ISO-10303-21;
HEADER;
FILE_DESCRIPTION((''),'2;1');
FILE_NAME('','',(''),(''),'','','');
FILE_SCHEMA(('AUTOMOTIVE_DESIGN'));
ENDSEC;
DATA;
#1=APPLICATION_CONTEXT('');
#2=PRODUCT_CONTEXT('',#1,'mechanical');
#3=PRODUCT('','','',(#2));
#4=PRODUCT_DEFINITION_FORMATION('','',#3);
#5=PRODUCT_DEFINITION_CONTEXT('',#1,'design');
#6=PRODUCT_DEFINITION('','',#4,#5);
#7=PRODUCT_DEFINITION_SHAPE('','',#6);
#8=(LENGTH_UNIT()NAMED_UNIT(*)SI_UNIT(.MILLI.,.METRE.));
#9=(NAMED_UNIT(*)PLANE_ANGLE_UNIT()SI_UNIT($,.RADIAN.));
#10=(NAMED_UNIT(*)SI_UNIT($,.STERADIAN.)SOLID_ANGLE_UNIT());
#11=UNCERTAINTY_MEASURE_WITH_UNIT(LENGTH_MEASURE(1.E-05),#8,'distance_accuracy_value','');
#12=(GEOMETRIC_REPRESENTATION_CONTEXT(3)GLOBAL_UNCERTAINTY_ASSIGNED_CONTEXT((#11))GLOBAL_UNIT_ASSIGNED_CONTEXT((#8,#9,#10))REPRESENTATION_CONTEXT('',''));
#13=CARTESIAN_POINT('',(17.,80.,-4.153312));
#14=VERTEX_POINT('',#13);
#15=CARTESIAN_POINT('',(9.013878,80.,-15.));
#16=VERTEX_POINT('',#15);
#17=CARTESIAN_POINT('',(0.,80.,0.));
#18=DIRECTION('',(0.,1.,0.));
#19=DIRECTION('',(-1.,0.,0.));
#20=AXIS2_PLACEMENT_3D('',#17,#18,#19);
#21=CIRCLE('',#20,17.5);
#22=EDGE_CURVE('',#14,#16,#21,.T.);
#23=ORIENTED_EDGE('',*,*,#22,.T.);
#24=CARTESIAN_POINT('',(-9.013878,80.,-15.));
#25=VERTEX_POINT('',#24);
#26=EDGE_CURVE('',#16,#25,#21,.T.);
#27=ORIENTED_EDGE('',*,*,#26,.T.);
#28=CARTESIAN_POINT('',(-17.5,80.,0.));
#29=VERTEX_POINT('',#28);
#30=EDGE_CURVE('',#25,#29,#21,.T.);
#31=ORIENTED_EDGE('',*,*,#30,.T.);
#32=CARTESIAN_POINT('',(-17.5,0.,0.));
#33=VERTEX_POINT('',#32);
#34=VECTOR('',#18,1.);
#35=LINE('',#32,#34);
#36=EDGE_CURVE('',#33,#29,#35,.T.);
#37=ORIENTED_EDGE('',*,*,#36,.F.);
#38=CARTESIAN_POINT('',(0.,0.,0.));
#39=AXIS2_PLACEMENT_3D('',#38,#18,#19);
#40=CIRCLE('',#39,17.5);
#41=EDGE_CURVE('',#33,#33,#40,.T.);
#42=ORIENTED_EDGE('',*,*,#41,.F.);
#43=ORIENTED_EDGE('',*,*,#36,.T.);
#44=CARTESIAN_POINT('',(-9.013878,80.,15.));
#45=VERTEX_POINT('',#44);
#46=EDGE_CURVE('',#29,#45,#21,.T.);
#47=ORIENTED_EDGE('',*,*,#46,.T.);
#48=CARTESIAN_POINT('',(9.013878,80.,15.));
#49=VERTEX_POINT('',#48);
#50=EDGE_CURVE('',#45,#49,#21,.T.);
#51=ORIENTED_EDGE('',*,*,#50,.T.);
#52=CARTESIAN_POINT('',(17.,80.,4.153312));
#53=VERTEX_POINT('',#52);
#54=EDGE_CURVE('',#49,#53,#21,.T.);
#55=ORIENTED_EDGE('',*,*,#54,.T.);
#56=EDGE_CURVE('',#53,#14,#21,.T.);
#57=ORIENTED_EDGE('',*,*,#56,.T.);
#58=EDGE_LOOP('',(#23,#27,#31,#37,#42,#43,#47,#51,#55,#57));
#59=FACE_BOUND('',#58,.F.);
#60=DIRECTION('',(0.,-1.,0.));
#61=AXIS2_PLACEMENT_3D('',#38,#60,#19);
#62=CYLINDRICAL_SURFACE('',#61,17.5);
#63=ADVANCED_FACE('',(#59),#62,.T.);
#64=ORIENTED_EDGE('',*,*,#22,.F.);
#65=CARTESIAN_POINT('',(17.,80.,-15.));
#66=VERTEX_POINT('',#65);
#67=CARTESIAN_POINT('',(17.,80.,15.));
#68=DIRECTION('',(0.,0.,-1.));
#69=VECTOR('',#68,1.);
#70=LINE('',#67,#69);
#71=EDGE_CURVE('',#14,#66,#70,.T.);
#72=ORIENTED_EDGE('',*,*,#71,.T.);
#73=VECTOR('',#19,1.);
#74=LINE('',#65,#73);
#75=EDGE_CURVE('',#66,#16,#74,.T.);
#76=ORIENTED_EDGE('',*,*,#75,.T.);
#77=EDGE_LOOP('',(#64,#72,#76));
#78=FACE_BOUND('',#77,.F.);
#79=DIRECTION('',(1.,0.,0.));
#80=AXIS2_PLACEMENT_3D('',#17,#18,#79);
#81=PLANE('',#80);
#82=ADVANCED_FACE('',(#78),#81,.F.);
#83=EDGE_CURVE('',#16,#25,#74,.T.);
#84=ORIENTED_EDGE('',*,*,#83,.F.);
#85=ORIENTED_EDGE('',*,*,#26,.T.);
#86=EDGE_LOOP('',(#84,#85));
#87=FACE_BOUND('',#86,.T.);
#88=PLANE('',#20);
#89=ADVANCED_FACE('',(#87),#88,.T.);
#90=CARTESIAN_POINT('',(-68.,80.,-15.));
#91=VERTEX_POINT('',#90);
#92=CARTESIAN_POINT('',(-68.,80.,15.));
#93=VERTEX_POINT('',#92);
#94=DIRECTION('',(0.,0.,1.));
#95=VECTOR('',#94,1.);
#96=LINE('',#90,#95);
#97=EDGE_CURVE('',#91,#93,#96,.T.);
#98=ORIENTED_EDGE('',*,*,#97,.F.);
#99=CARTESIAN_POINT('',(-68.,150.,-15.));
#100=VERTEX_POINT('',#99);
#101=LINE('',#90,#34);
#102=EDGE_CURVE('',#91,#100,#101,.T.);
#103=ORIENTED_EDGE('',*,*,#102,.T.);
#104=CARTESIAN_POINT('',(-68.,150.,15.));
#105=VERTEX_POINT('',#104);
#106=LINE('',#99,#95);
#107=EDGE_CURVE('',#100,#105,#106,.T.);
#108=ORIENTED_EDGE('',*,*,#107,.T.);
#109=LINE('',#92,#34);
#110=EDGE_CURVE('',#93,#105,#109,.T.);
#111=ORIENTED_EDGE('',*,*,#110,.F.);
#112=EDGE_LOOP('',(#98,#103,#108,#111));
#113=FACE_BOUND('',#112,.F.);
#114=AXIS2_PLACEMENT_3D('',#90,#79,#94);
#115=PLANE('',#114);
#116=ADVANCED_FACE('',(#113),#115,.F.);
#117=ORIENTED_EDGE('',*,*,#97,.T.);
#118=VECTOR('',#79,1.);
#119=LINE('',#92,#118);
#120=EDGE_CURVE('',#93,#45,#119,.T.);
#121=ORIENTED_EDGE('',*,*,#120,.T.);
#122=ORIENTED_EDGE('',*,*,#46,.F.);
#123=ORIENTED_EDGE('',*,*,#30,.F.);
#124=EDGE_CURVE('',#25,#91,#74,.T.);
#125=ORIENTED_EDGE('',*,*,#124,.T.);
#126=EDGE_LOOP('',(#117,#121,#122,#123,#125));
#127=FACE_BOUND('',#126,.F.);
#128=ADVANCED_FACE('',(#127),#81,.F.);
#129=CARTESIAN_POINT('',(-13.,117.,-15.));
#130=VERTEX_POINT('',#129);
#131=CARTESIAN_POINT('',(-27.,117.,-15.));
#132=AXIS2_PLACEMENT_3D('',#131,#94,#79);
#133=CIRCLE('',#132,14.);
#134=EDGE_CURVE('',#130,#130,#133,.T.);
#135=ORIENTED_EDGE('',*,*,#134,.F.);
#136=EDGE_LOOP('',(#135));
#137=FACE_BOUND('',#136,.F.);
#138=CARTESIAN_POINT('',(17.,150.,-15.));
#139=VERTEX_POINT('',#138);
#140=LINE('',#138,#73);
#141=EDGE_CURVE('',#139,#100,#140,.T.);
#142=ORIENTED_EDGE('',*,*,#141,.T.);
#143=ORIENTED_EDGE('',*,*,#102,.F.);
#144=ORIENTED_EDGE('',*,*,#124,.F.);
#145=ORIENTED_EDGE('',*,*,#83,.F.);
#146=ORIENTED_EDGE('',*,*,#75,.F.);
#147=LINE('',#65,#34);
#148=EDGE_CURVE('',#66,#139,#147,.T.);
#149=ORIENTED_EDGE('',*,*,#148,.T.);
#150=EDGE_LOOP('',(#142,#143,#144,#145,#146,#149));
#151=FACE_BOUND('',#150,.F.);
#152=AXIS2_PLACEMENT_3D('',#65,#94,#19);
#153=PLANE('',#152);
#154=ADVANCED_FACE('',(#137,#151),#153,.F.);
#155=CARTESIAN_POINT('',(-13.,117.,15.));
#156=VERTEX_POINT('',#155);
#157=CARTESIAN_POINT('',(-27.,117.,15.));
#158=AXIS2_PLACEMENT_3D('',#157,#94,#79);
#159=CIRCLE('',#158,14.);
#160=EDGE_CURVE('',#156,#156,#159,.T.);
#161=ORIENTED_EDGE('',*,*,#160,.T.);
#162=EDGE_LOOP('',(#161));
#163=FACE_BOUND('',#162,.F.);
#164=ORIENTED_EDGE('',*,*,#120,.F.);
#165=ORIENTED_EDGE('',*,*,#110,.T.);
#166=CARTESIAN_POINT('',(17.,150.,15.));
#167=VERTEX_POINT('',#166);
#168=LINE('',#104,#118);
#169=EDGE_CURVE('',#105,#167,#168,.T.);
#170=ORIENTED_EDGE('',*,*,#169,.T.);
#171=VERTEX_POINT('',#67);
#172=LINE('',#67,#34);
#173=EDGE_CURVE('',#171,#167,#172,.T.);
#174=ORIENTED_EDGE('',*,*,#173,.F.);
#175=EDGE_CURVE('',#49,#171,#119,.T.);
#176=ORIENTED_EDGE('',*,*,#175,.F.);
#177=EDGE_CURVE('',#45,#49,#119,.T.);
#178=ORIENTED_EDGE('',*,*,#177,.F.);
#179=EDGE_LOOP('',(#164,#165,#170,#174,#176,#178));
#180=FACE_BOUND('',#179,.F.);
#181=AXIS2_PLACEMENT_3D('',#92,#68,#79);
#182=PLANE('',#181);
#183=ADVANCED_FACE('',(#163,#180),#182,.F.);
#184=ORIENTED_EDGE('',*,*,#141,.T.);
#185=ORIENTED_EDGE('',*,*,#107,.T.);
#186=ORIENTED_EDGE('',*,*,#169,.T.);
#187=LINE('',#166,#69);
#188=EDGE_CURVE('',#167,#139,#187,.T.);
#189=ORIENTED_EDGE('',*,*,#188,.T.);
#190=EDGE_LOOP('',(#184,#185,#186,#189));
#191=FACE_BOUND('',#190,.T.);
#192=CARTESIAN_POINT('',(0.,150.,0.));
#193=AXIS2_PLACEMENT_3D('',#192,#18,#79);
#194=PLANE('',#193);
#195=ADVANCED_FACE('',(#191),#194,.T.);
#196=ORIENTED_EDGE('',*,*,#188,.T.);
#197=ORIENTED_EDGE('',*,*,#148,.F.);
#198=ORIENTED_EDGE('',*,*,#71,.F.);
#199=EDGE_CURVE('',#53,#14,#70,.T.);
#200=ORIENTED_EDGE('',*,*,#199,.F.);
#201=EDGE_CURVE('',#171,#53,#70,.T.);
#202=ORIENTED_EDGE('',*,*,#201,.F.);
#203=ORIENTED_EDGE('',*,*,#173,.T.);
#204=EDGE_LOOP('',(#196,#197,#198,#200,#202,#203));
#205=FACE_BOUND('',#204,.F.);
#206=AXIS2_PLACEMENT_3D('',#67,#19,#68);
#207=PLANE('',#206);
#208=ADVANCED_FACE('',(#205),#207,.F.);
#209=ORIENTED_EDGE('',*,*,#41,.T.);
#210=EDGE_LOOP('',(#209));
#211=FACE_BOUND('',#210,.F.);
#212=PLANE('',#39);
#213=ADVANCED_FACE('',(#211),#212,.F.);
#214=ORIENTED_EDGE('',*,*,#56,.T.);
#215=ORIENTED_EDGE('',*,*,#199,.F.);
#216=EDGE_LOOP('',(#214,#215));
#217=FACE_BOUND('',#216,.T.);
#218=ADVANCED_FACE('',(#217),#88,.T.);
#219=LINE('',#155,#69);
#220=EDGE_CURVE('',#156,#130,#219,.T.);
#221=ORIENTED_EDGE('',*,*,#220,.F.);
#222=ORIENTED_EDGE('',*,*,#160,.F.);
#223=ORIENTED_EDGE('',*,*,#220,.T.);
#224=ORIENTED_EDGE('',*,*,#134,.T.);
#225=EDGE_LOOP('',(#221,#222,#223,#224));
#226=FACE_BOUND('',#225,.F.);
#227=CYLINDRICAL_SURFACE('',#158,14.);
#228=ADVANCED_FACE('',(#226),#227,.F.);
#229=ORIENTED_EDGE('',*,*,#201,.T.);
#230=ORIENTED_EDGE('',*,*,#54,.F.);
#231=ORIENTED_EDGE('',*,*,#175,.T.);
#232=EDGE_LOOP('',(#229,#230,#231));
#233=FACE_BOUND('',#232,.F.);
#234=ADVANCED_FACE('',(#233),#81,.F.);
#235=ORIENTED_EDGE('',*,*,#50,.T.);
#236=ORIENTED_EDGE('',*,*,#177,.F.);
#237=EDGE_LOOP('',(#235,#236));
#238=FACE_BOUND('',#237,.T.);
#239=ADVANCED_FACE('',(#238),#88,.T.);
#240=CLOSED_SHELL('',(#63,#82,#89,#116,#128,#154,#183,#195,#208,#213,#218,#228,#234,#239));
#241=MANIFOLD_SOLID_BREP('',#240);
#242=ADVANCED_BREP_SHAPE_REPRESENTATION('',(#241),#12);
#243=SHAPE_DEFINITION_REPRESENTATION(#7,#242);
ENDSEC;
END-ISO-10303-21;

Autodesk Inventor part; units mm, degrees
ref_plane "YZ Plane" through (0, 0, 0) normal (1, 0, 0) x (0, 1, 0)
ref_plane "XZ Plane" through (0, 0, 0) normal (0, 1, 0) x (-1, 0, 0)
ref_plane "XY Plane" through (0, 0, 0) normal (0, 0, 1) x (1, 0, 0)
sketch "Sketch1" plane through (0, 0, 0) normal (0, 1, 0) x (-1, 0, 0)
  circle A0 centre (0, 0) radius 17.5
  dimension "d0" = 35
extrude "Extrusion1" add sketch "Sketch1" along normal blind 80
sketch "Sketch2" plane through (0, 80, 0) normal (0, 1, 0) x (1, 0, 0)
  line L0 (-68, -15) -> (17, -15)
  line L1 (17, -15) -> (17, 15)
  line L2 (17, 15) -> (-68, 15)
  line L3 (-68, 15) -> (-68, -15)
  point P0 (0, 0)
  dimension "d3" = 85
  dimension "d4" = 30
extrude "Extrusion2" add sketch "Sketch2" along normal blind 70
sketch "Sketch3" plane through (-68, 80, 15) normal (0, 0, 1) x (1, 0, 0)
  circle A0 centre (41, 37) radius 14
  point P0 (68, -80)
extrude "Extrusion3" cut sketch "Sketch3" against normal through all
properties part number "motor hombro"
